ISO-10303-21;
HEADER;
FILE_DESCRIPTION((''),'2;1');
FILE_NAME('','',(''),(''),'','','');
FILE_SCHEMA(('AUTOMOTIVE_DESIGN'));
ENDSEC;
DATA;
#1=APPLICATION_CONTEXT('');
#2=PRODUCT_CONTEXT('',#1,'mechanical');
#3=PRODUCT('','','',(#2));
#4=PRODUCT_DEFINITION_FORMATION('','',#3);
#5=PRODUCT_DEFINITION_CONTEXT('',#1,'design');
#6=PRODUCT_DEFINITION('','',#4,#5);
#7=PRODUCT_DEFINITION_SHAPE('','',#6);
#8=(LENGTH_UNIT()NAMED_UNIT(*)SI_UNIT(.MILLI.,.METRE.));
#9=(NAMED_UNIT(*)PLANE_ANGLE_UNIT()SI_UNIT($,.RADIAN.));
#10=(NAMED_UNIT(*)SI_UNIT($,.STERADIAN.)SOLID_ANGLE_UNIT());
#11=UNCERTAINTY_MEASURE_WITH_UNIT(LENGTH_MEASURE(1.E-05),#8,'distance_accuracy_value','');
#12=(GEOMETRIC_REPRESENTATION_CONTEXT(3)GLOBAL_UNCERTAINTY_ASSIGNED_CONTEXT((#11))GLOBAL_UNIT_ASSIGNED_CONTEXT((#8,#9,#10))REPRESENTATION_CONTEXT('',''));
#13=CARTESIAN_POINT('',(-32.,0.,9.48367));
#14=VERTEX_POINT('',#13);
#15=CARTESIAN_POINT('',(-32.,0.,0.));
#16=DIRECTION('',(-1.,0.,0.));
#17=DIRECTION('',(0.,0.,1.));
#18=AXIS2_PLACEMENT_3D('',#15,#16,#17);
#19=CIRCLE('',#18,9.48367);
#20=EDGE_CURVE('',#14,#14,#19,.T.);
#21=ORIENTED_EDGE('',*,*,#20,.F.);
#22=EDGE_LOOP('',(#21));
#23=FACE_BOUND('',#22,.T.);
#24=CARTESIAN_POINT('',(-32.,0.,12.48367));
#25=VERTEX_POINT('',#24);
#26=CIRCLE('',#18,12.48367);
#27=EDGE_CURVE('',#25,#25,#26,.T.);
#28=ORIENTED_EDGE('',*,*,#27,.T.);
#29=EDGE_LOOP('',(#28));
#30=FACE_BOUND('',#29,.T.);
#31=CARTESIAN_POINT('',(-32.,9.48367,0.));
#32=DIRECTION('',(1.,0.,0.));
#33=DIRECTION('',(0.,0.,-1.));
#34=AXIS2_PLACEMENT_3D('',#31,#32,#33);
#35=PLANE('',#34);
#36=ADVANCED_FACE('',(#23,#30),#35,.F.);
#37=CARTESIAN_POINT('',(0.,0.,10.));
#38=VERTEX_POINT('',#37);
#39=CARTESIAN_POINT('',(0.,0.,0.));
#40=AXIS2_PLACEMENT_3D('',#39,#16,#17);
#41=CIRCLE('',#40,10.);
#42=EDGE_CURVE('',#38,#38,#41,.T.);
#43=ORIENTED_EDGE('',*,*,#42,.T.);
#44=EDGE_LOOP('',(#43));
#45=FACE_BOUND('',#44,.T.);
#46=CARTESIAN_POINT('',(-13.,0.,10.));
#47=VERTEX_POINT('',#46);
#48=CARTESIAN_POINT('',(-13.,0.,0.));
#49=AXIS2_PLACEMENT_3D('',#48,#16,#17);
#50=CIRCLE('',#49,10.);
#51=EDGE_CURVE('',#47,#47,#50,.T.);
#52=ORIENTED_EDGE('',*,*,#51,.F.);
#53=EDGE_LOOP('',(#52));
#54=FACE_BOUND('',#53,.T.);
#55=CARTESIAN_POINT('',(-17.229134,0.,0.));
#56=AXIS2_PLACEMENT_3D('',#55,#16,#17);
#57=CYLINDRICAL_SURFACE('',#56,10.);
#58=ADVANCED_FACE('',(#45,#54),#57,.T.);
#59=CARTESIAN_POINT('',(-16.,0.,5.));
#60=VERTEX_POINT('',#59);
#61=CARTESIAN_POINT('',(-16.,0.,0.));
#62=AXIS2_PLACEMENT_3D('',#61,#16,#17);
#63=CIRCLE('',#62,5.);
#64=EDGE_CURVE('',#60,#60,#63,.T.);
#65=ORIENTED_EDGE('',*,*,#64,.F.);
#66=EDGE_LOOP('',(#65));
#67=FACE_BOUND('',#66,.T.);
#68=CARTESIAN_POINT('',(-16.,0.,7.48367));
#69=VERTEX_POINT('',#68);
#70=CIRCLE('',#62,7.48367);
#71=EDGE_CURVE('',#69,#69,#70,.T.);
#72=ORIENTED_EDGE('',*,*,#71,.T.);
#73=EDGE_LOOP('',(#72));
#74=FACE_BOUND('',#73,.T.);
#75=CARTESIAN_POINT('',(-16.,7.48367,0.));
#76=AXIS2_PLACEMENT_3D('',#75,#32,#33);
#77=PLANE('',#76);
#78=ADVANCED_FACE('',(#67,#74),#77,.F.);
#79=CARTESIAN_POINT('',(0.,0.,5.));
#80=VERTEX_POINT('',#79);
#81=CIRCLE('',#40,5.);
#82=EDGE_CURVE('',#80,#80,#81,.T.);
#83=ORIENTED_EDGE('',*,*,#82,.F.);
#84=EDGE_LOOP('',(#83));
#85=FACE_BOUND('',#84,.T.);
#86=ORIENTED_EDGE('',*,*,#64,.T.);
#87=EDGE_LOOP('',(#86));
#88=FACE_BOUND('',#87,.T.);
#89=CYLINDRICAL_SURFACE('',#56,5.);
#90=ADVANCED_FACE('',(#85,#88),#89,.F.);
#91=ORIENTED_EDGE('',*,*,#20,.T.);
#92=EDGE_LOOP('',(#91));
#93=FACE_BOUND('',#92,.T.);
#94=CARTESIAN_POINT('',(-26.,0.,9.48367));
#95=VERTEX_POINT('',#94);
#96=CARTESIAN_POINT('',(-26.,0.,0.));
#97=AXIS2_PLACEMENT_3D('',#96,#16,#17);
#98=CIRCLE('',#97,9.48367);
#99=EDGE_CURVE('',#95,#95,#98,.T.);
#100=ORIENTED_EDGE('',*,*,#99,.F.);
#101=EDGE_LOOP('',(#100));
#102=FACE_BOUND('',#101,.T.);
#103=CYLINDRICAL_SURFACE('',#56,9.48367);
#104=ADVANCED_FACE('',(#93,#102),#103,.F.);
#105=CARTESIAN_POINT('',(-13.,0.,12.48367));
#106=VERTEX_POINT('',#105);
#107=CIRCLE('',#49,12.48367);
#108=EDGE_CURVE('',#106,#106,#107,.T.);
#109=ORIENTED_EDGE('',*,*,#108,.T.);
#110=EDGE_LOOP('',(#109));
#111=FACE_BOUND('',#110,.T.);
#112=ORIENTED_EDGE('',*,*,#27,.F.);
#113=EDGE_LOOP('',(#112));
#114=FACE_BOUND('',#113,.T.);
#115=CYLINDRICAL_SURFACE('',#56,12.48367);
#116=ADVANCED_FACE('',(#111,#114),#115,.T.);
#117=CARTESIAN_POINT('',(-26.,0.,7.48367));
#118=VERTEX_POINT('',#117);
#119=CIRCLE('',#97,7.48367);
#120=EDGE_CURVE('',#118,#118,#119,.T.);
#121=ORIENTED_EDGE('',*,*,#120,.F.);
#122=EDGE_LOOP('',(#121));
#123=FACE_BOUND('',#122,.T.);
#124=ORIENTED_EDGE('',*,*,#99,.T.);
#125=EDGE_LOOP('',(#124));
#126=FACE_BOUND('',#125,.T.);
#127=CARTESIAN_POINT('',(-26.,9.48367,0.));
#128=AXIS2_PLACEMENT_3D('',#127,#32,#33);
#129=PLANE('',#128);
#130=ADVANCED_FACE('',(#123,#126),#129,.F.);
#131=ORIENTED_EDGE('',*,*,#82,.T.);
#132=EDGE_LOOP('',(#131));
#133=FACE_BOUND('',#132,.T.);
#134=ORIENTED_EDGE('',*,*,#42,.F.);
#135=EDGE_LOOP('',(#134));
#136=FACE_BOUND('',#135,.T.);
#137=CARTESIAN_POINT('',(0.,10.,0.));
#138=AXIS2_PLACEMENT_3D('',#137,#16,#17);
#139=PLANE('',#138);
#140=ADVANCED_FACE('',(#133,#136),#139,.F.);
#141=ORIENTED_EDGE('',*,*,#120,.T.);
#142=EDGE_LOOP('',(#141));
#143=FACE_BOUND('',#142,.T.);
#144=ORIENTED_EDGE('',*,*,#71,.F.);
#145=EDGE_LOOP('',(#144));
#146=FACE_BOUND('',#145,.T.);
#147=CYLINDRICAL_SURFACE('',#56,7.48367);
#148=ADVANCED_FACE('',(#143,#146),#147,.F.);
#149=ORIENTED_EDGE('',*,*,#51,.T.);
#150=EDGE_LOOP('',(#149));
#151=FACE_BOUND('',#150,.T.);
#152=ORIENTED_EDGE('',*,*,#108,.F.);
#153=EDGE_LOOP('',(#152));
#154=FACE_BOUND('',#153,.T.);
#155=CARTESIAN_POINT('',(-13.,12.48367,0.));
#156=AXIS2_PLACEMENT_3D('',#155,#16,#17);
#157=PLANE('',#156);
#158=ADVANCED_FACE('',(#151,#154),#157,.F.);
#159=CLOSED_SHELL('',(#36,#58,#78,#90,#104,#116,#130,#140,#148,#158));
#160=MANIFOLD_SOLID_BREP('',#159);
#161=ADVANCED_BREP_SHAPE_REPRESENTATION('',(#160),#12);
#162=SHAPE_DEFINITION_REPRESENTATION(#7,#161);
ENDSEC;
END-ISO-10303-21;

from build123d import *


with BuildPart() as part:
    # Sketch1 → Revolve1 (revolve)
    with BuildSketch(Plane.XY):
        Polygon((-32, 9.4836701), (-32, 12.4836701), (-13, 12.4836701), (-13, 10), (0, 10), (0, 5), (-16, 5), (-16, 7.4836701), (-26, 7.4836701), (-26, 9.4836701), align=None)
    revolve(axis=Axis((-17.229134297, 0, 0), (1, 0, 0)))


solid = part.part
